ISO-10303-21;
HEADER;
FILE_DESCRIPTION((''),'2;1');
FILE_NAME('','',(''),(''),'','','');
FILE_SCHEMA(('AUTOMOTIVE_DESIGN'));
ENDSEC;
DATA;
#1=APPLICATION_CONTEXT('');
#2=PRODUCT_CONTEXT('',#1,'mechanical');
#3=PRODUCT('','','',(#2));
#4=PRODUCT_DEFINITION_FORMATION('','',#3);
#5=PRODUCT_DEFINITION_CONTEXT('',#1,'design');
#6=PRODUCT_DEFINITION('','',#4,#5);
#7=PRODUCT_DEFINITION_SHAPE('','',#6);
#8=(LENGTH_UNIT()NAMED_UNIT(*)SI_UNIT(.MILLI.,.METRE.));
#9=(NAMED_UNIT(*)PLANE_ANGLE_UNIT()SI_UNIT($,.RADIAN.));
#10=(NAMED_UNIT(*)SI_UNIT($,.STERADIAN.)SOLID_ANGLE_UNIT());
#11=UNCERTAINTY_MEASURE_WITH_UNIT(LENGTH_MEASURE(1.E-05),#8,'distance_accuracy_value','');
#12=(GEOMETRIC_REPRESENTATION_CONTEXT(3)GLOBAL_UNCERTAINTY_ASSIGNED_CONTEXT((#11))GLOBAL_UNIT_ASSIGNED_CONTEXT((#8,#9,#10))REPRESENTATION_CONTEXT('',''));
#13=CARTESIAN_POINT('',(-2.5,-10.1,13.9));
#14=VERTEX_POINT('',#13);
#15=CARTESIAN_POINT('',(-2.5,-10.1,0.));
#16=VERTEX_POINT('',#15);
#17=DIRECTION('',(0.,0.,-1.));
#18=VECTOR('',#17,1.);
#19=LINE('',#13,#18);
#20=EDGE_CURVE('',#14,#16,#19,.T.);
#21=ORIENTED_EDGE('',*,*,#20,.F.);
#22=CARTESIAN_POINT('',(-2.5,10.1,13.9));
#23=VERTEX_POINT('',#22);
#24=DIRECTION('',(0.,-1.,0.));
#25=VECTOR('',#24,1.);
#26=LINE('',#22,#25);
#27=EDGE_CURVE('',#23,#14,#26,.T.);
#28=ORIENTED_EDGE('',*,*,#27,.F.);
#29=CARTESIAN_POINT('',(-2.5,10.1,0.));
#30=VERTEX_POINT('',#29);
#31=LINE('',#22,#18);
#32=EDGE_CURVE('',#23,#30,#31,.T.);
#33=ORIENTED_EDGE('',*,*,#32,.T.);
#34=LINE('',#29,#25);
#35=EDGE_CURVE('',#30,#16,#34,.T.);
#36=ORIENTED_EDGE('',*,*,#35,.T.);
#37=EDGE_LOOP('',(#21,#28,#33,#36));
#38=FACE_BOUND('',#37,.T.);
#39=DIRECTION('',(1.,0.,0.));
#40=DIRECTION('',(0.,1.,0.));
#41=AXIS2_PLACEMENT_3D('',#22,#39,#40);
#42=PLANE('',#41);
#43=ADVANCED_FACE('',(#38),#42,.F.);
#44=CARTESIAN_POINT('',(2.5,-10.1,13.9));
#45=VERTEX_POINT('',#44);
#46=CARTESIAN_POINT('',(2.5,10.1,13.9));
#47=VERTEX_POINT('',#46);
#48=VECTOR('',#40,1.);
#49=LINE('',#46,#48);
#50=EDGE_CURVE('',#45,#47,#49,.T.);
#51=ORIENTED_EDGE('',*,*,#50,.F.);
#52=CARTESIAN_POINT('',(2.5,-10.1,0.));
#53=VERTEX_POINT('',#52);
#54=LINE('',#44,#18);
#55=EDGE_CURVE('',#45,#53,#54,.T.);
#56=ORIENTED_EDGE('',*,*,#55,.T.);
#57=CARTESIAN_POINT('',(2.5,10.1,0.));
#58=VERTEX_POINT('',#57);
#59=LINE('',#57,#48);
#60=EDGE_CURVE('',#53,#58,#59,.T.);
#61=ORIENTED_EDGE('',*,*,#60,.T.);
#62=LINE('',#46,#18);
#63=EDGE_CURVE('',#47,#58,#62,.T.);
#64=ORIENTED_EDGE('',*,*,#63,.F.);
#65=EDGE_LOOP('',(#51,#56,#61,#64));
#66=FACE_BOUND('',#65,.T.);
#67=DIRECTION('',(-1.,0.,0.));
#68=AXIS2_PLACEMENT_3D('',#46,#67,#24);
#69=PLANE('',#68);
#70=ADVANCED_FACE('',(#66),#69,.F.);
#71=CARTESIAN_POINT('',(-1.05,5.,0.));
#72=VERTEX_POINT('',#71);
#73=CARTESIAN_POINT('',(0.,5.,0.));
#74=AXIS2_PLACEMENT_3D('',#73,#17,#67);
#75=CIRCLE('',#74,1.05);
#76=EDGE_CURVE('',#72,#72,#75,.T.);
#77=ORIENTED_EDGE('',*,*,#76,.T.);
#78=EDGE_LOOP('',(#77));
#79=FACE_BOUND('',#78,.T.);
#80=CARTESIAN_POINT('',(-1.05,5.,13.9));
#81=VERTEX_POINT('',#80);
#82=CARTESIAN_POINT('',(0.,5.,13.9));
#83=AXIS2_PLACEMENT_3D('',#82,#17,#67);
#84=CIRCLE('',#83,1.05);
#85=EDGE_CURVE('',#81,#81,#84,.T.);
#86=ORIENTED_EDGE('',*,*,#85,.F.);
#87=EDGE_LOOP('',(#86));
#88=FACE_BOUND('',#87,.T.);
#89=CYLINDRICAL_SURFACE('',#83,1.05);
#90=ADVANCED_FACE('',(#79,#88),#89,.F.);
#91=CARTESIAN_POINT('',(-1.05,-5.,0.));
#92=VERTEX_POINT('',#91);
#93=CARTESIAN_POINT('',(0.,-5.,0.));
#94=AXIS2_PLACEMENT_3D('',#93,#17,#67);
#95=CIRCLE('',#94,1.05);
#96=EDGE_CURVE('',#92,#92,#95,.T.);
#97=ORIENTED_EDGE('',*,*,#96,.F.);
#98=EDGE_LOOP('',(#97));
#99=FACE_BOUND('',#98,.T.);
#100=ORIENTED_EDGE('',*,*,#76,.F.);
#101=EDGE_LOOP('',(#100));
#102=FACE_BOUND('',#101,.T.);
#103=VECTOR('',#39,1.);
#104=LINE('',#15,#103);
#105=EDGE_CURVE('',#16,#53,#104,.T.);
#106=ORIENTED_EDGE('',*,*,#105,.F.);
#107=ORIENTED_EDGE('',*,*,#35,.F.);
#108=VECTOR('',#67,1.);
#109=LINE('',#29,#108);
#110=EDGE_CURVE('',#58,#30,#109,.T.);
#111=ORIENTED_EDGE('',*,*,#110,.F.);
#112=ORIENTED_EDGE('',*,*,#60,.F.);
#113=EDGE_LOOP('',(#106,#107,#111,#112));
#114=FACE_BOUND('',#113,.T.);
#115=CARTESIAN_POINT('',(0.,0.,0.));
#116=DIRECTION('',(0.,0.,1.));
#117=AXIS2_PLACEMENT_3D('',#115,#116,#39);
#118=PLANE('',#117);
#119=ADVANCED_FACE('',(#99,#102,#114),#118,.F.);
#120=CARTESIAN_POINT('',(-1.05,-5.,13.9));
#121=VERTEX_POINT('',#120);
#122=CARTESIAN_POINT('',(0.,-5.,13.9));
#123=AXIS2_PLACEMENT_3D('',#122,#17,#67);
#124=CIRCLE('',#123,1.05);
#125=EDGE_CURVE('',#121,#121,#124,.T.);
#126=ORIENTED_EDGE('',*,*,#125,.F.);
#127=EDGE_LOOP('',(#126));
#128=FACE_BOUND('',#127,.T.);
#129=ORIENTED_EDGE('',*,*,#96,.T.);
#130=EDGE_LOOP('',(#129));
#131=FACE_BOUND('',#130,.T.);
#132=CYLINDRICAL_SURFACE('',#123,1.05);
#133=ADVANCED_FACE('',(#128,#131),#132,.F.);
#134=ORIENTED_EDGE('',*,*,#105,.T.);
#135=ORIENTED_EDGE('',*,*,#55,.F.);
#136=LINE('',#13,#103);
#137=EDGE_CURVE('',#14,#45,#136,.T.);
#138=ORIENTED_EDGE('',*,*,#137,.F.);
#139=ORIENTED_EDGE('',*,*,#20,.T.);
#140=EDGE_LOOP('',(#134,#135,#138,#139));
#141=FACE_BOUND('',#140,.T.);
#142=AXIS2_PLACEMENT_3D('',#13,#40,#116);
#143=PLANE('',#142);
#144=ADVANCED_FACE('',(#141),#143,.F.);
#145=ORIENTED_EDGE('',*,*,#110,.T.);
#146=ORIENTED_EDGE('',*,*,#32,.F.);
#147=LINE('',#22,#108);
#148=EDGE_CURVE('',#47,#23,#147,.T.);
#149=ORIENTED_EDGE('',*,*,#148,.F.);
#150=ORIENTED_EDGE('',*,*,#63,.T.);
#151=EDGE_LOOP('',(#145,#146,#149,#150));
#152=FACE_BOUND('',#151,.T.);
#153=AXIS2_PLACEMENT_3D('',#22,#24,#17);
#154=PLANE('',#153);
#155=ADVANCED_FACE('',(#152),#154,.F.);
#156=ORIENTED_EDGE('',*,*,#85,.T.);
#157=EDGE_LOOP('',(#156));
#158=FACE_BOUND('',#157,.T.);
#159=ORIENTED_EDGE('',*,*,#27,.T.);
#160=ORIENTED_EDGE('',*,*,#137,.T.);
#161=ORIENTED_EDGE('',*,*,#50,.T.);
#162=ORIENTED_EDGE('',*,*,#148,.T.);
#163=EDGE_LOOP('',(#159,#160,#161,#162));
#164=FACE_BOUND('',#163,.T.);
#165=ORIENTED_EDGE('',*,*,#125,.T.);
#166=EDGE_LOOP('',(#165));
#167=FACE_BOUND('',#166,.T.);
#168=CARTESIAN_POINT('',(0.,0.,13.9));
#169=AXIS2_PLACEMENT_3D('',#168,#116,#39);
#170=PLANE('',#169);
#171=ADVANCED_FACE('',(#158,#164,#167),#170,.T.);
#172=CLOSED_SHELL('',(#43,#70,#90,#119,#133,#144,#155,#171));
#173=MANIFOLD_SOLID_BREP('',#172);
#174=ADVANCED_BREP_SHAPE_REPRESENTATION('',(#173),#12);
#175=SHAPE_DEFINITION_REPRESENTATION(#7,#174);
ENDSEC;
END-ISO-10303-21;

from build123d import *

# Parameters (mm, degrees)
ESQUISSE1_W             = 5
ESQUISSE1_H             = 20.2
BOSS_EXTRU_1_DEPTH      = 13.9
ESQUISSE4_R             = 1.05
ENL_V_MAT_EXTRU_1_DEPTH = 18.362891464


with BuildPart() as part:
    # Esquisse1 → Boss.-Extru.1 (new body)
    with BuildSketch(Plane.XY):
        Rectangle(ESQUISSE1_W, ESQUISSE1_H)
    extrude(amount=BOSS_EXTRU_1_DEPTH)

    # Esquisse4 → Enlèv. mat.-Extru.1 (cut, through all)
    with BuildSketch(Plane(origin=(0, 0, 0), x_dir=(-1, 0, 0), z_dir=(0, 0, -1))):
        with Locations((0, 5)):
            Circle(ESQUISSE4_R)
        with Locations((0, -5)):
            Circle(ESQUISSE4_R)
    extrude(amount=-ENL_V_MAT_EXTRU_1_DEPTH, mode=Mode.SUBTRACT)


solid = part.part
